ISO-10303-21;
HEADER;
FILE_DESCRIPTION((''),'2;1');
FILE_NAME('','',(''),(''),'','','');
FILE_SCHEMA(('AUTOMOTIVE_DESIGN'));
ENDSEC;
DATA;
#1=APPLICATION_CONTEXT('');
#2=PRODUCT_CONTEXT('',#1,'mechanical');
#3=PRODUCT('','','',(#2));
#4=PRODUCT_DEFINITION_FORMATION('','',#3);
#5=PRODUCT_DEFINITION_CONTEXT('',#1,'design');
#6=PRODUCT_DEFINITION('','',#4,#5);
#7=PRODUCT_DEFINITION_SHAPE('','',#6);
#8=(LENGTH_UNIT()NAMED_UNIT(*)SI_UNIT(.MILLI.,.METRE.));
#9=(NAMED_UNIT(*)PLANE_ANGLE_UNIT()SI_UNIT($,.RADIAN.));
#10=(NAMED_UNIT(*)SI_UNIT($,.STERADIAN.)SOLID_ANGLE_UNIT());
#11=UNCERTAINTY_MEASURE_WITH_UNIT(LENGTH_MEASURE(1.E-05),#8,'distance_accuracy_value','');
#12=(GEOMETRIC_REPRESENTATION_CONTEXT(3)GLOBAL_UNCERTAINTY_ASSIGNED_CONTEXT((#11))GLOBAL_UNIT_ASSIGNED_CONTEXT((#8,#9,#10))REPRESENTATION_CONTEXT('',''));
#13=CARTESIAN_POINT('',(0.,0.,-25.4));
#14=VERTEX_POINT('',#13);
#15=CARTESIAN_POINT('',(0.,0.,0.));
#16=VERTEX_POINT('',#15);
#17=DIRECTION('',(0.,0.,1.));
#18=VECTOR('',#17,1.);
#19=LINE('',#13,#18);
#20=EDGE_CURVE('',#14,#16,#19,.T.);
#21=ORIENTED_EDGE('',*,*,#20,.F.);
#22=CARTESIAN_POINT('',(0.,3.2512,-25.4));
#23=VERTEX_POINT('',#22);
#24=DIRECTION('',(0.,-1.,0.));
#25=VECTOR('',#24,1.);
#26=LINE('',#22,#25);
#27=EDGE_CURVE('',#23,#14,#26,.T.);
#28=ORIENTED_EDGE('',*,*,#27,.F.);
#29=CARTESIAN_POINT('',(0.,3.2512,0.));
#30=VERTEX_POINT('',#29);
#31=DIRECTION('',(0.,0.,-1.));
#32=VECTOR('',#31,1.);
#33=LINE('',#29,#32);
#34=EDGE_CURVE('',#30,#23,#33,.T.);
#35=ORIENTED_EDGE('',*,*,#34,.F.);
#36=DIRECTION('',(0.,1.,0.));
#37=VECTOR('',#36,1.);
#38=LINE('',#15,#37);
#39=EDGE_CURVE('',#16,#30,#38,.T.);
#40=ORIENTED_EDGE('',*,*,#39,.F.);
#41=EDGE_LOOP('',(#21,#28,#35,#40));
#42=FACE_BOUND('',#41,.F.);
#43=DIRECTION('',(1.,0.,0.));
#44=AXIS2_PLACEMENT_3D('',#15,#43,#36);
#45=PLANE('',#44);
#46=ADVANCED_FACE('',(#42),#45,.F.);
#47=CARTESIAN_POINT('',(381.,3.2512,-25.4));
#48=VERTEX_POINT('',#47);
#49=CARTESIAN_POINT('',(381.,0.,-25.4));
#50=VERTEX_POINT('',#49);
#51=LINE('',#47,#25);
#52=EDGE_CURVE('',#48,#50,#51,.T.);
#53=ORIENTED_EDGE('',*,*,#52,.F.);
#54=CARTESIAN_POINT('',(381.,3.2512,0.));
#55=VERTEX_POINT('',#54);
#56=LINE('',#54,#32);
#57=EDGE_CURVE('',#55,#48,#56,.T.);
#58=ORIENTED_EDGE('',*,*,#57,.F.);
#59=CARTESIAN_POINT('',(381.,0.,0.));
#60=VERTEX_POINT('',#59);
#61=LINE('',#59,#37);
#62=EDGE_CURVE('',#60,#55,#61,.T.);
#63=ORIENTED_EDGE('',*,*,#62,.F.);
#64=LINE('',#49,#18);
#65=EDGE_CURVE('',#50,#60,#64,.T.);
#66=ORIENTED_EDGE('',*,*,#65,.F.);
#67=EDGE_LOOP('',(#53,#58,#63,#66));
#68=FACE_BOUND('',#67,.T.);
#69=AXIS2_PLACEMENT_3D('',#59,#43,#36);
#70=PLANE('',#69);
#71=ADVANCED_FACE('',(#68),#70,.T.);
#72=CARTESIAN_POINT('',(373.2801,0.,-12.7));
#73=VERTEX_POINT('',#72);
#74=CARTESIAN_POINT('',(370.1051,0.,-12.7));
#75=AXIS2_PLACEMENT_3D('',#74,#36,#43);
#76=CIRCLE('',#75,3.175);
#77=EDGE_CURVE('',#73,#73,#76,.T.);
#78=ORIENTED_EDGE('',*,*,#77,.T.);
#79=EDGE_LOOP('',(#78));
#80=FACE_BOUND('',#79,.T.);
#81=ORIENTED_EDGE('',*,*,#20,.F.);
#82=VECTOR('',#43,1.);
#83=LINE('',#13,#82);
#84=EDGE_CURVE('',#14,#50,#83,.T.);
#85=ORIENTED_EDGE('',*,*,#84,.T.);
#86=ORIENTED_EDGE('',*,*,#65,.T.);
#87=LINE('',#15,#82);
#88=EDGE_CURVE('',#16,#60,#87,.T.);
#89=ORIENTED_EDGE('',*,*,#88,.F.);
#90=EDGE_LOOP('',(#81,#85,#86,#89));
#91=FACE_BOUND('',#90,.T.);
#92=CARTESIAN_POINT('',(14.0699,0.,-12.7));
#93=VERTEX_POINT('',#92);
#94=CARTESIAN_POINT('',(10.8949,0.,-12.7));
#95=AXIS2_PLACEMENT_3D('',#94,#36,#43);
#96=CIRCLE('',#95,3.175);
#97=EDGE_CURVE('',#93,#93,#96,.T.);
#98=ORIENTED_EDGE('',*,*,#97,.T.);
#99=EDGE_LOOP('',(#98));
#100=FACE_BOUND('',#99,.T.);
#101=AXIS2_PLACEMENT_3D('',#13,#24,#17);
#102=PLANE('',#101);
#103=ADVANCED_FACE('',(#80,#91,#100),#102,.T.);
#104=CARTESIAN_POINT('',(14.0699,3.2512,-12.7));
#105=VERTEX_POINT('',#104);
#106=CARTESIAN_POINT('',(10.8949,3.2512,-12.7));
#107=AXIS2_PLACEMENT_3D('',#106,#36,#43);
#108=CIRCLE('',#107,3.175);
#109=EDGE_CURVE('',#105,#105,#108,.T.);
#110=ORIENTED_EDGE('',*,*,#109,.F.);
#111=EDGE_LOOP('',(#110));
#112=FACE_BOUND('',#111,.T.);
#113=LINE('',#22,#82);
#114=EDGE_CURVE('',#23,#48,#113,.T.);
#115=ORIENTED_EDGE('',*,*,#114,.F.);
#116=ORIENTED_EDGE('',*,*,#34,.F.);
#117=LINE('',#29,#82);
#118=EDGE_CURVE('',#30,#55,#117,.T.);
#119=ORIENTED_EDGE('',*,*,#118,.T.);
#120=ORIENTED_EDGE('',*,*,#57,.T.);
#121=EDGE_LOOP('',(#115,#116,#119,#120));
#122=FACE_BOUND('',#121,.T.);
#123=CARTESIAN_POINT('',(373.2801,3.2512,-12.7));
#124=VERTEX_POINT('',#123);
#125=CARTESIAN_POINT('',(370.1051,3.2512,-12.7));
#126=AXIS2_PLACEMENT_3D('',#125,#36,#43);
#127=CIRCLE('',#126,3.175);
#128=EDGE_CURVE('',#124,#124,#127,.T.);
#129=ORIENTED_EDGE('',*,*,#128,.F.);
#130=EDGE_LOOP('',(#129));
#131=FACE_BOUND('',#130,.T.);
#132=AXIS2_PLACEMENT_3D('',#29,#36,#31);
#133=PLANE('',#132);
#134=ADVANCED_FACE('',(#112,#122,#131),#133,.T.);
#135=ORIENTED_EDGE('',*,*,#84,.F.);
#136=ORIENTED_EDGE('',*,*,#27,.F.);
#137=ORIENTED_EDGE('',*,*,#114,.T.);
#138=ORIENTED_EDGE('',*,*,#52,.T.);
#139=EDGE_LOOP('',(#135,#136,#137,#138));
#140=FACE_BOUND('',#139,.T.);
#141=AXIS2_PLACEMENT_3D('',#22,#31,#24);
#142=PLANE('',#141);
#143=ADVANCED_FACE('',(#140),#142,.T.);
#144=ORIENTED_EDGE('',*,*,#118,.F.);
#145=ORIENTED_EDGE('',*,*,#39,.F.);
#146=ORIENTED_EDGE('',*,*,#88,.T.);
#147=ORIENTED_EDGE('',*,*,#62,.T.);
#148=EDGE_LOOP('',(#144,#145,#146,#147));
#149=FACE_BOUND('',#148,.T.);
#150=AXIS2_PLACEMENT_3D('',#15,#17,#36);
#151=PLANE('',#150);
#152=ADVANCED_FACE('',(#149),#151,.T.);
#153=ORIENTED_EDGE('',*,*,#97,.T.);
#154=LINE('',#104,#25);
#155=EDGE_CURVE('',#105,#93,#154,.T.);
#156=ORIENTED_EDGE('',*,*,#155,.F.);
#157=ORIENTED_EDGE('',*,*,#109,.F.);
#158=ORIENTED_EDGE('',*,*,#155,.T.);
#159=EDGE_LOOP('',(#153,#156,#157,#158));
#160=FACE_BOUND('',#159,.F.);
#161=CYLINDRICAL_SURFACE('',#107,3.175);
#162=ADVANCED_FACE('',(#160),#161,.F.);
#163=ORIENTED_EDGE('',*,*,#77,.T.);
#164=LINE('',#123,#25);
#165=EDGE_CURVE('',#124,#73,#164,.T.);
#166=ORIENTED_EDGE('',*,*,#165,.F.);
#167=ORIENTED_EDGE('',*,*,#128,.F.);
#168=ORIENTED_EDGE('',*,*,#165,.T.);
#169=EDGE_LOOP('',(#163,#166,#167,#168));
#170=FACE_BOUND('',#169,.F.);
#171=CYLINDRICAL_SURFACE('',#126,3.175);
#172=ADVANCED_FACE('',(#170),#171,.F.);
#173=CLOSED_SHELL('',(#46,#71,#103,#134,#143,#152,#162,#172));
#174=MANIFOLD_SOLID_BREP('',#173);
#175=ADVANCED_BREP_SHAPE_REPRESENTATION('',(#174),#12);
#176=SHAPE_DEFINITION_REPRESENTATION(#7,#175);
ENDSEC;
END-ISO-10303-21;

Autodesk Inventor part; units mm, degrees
ref_plane "YZ Plane" through (0, 0, 0) normal (1, 0, 0) x (0, 1, 0)
ref_plane "XZ Plane" through (0, 0, 0) normal (0, 1, 0) x (-1, 0, 0)
ref_plane "XY Plane" through (0, 0, 0) normal (0, 0, 1) x (1, 0, 0)
sketch "Sketch1" plane through (0, 0, 0) normal (1, 0, 0) x (0, 1, 0)
  line L0 (0, 0) -> (3.2512, 0)
  line L1 (3.2512, 0) -> (3.2512, -25.4)
  line L2 (3.2512, -25.4) -> (0, -25.4)
  line L3 (0, -25.4) -> (0, 0)
  dimension "d0" = 3.2512
  dimension "d1" = 25.4
extrude "Extrusion1" add sketch "Sketch1" along normal blind 381
sketch "Sketch2" plane through (0, 3.2512, 0) normal (0, 1, 0) x (1, 0, 0)
  line L0 (0, 25.4) -> (0, 0) projected
  line L1 (0, 12.7) -> (85.4474, 12.7) construction
  circle A0 centre (10.8949, 12.7) radius 3.175
  line L2 (0, 0) -> (381, 0) projected
  line L3 (190.5, 0) -> (190.5, 15.076) construction
  line L4 (381, 12.7) -> (295.5526, 12.7) construction
  circle A1 centre (370.1051, 12.7) radius 3.175
  dimension "d4" = 6.35
  dimension "d5" = 179.6051
extrude "Extrusion2" cut sketch "Sketch2" against normal blind 381
properties part number "Long support flat"
